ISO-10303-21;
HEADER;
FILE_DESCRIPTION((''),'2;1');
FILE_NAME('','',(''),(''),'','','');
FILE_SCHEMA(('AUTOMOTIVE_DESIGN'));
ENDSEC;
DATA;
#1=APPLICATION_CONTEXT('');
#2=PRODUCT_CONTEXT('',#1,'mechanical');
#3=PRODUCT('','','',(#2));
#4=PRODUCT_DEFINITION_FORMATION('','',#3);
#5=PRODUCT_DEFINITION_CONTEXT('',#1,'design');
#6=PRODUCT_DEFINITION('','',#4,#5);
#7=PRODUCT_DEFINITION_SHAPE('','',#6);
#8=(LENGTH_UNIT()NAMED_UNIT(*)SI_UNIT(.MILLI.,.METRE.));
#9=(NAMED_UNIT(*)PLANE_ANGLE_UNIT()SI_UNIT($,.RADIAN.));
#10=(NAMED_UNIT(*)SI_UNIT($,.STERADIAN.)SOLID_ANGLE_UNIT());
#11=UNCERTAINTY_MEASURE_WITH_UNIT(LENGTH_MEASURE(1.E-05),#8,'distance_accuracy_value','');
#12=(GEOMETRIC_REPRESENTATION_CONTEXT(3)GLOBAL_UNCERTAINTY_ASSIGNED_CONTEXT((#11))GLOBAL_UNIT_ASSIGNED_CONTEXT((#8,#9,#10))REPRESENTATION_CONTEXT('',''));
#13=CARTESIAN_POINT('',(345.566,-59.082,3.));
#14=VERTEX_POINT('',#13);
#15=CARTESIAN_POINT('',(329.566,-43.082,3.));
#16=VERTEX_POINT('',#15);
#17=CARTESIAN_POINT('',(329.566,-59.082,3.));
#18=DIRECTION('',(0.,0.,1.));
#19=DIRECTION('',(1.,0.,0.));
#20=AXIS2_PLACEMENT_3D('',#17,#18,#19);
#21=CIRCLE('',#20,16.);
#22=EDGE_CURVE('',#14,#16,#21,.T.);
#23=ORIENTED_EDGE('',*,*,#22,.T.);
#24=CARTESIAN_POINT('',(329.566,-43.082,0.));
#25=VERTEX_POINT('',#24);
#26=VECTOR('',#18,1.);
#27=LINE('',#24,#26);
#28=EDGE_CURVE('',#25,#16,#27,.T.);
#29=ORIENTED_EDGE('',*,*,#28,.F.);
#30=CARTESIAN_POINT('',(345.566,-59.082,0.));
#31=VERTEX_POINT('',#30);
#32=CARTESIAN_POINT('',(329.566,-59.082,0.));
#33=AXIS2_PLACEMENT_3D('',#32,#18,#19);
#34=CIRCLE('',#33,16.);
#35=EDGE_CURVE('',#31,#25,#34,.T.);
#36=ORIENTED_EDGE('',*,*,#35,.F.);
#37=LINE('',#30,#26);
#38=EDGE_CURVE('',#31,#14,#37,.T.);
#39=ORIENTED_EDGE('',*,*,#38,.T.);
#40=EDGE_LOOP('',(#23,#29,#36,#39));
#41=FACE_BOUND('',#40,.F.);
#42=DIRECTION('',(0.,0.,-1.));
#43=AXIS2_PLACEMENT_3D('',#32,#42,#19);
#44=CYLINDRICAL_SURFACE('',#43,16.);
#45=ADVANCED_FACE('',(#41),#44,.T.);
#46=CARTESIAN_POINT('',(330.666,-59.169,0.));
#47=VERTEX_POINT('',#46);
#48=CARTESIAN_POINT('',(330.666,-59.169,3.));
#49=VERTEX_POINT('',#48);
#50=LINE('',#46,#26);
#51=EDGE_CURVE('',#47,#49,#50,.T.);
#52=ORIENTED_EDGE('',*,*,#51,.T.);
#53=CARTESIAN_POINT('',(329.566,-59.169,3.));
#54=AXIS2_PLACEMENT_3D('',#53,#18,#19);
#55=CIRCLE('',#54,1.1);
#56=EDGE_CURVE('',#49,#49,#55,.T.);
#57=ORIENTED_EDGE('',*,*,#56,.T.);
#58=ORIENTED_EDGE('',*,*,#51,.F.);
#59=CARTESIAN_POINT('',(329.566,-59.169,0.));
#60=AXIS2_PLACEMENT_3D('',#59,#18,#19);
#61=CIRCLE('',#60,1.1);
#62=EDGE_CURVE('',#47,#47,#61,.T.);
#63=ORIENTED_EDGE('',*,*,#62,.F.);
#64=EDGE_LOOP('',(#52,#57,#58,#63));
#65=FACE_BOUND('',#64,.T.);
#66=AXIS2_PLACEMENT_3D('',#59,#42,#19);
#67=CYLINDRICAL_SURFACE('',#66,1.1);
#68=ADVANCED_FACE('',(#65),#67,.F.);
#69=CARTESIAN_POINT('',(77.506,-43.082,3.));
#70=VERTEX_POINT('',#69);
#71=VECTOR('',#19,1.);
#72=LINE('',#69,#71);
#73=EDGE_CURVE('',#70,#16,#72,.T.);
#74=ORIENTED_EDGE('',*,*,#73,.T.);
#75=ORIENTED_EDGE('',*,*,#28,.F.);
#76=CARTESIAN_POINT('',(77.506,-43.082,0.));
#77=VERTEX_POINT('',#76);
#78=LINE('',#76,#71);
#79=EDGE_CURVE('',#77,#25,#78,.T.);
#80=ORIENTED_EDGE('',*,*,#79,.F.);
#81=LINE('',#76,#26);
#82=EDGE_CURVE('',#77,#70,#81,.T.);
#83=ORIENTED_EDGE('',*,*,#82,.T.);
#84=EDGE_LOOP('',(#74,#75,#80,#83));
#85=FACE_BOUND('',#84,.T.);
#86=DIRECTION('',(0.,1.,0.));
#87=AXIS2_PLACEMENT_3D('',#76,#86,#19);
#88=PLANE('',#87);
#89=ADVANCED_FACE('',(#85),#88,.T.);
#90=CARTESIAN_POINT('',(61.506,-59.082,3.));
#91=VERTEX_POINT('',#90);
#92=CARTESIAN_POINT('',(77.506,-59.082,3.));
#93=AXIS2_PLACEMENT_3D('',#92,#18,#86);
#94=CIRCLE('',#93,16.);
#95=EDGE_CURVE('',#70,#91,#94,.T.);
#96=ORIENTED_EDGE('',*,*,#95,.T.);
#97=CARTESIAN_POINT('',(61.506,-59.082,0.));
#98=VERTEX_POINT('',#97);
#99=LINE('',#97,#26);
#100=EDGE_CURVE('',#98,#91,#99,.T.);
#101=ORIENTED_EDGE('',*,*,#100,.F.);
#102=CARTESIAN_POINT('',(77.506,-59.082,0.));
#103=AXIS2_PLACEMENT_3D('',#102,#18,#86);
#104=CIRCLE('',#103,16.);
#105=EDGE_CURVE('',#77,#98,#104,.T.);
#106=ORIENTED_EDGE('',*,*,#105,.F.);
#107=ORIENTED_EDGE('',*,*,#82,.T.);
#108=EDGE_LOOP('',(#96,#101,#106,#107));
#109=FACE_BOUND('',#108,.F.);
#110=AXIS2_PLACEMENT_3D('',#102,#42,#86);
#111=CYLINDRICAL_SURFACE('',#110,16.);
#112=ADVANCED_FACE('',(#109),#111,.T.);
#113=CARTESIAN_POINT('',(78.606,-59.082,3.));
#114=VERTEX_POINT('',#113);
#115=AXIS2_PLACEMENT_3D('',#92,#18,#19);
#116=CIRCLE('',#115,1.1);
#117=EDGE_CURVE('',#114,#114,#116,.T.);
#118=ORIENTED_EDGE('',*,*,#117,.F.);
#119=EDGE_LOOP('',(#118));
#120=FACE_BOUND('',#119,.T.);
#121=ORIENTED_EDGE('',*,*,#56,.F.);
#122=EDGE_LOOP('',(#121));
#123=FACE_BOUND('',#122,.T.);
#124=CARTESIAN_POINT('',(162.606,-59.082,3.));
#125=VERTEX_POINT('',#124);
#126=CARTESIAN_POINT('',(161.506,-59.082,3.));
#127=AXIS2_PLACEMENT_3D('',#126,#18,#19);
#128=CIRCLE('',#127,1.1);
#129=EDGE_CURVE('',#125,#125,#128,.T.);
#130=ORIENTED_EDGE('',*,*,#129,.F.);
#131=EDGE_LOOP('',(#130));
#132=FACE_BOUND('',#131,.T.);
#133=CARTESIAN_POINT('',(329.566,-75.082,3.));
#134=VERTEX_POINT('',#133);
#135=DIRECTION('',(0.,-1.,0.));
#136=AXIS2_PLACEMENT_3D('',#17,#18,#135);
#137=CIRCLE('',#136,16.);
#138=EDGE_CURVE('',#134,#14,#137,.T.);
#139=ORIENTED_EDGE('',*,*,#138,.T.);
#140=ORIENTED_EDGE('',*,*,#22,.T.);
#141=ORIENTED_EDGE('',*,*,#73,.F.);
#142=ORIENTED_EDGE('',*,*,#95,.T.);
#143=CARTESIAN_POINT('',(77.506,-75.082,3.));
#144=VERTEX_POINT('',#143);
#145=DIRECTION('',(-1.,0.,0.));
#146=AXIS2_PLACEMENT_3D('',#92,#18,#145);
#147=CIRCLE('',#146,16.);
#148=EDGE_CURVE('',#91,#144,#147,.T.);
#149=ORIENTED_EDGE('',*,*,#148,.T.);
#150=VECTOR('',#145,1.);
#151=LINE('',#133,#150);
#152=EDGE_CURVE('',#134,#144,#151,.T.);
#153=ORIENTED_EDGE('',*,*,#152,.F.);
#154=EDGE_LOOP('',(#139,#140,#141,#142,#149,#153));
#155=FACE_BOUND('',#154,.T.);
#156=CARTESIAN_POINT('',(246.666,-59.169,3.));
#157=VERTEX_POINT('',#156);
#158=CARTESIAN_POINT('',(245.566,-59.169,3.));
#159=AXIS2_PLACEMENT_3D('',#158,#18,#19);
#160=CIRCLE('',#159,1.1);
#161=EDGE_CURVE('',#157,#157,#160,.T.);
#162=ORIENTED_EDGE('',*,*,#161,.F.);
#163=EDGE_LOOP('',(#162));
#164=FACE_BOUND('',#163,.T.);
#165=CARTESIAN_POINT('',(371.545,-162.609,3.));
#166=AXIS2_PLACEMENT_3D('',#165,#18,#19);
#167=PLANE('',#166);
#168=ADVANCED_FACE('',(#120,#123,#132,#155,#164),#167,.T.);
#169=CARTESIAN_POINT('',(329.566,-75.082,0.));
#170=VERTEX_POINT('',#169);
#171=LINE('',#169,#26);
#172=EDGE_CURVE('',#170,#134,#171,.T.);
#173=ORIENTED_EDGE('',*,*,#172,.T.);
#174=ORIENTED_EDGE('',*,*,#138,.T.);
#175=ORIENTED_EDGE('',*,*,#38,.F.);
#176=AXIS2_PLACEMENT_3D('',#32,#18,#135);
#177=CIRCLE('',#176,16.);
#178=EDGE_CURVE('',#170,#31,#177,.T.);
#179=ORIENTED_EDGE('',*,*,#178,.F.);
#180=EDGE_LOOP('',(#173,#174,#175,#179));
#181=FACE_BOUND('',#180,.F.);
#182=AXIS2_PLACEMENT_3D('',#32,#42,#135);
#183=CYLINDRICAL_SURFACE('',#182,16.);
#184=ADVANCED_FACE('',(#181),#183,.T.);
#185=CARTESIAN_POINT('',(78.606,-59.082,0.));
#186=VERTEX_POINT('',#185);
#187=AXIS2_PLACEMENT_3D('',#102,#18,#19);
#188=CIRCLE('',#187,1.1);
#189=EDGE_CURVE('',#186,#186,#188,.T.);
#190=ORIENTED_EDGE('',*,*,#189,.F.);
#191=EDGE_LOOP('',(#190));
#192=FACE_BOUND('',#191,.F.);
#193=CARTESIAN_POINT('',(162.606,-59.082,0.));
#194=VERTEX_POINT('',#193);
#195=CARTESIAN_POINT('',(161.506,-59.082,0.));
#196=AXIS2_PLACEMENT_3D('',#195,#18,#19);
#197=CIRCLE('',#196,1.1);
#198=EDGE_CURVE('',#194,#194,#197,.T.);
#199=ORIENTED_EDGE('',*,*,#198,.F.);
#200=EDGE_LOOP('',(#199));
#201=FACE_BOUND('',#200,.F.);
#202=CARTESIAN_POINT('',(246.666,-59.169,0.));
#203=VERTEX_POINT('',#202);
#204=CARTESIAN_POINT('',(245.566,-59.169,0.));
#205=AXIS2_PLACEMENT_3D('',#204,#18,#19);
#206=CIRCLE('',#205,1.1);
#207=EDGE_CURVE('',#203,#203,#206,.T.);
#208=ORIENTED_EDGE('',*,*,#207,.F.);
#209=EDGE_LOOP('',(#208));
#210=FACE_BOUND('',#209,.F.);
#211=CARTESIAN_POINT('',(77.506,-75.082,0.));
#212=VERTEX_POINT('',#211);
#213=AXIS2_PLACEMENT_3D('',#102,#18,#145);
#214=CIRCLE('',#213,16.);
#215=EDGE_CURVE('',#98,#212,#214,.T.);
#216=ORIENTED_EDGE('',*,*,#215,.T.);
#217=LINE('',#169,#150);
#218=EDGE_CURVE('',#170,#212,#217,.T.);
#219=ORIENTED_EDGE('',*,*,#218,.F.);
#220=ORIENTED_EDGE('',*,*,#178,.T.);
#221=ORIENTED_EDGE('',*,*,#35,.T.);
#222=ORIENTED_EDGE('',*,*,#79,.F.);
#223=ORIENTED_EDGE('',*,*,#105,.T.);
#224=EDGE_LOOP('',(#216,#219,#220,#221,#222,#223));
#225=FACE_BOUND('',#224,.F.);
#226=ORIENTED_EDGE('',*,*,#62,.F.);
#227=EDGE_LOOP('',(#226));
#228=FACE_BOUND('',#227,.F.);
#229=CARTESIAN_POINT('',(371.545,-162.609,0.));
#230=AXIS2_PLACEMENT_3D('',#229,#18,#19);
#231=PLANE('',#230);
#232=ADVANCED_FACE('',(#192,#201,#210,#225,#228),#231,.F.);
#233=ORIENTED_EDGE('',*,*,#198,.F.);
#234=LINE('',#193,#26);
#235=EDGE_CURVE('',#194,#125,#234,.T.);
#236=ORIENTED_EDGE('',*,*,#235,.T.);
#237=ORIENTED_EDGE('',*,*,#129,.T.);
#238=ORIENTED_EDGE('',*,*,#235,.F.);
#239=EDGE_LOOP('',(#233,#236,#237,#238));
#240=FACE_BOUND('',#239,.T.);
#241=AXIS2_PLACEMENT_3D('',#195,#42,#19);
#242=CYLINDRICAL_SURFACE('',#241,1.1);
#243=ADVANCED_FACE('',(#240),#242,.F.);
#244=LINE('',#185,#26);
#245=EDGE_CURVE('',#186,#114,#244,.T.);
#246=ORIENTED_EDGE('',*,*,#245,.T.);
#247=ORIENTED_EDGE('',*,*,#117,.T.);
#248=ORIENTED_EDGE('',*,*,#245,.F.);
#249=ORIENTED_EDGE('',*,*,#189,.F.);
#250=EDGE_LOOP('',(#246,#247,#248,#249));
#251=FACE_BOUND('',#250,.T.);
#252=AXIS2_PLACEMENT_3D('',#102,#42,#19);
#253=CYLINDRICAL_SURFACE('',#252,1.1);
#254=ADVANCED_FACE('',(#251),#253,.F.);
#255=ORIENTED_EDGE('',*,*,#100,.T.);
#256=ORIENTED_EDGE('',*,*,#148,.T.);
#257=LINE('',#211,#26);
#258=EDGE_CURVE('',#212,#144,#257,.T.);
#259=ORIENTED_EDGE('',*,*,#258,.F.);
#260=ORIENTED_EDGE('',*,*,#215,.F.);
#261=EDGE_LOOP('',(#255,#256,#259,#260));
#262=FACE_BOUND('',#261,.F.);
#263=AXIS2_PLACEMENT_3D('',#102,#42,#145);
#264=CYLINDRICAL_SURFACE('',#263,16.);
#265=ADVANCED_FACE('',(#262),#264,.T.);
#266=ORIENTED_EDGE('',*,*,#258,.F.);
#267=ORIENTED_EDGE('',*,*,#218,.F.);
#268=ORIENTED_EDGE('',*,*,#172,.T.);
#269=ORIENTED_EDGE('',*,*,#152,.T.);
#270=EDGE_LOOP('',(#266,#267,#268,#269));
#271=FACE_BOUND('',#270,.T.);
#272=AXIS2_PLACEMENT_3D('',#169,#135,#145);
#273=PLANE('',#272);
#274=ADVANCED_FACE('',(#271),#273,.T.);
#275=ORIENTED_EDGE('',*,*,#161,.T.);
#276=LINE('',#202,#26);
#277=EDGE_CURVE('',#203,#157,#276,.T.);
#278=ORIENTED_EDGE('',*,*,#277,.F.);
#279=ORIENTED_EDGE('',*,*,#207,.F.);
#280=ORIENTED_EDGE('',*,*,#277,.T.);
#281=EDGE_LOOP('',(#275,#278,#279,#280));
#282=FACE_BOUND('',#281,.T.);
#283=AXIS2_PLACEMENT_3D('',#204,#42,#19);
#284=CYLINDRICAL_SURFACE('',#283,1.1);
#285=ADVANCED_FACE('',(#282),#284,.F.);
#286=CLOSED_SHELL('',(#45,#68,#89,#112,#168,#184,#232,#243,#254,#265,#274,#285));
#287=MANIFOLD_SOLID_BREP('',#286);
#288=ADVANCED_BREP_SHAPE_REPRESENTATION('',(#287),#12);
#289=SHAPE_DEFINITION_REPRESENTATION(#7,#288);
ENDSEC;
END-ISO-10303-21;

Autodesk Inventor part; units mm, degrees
ref_plane "YZ Plane" through (0, 0, 0) normal (1, 0, 0) x (0, 1, 0)
ref_plane "XZ Plane" through (0, 0, 0) normal (0, 1, 0) x (-1, 0, 0)
ref_plane "XY Plane" through (0, 0, 0) normal (0, 0, 1) x (1, 0, 0)
ref_plane "Work Plane2" through (35.545, -31.609, 1.6) normal (0, 0, 1) x (1, 0, 0)
sketch "Sketch2" plane through (35.545, -31.609, 1.6) normal (0, 0, 1) x (1, 0, 0)
  line L0 (-4.7778, 3.1171) -> (341.5466, 3.1925) construction
  line L1 (341.5466, 3.1925) -> (341.5765, -133.848) construction
  line L2 (341.5765, -133.848) -> (-4.7479, -133.9235) construction
  line L3 (-4.7479, -133.9235) -> (-4.7778, 3.1171) construction
  point P0 (-35.545, 31.609)
ref_plane "Work Plane1" through (371.545, -162.609, 0) normal (0, 0, -1) x (-1, 0, 0)
sketch "Sketch9" plane through (371.545, -162.609, 0) normal (0, 0, -1) x (-1, 0, 0)
  line L0 (336, 131) -> (0, 131) projected
  line L1 (-2, 129) -> (-2, 2) projected
  line L2 (-1.9796, 129.2846) -> (-2, 129) projected
  line L3 (-1.919, 129.5635) -> (-1.9796, 129.2846) projected
  line L4 (-1.8193, 129.8308) -> (-1.919, 129.5635) projected
  line L5 (-1.6825, 130.0813) -> (-1.8193, 129.8308) projected
  line L6 (-1.5115, 130.3097) -> (-1.6825, 130.0813) projected
  line L7 (-1.3097, 130.5115) -> (-1.5115, 130.3097) projected
  line L8 (-1.0813, 130.6825) -> (-1.3097, 130.5115) projected
  line L9 (-0.8308, 130.8193) -> (-1.0813, 130.6825) projected
  line L10 (-0.5635, 130.919) -> (-0.8308, 130.8193) projected
  line L11 (-0.2846, 130.9796) -> (-0.5635, 130.919) projected
  line L12 (0, 131) -> (-0.2846, 130.9796) projected
  circle A0 centre (2.362, 128.645) radius 1.1 projected
  circle A1 centre (68.695, 128.645) radius 1.1 projected
  circle A2 centre (135.028, 128.645) radius 1.1 projected
  circle A3 centre (201.361, 128.645) radius 1.1 projected
  circle A4 centre (267.694, 128.645) radius 1.1 projected
  circle A5 centre (334.027, 128.645) radius 1.1 projected
  line L13 (338, 2) -> (338, 129) projected
  line L14 (338, 129) -> (337.9796, 129.2846) projected
  line L15 (337.9796, 129.2846) -> (337.919, 129.5635) projected
  line L16 (337.919, 129.5635) -> (337.8193, 129.8308) projected
  line L17 (337.8193, 129.8308) -> (337.6825, 130.0813) projected
  line L18 (337.6825, 130.0813) -> (337.5115, 130.3097) projected
  line L19 (337.5115, 130.3097) -> (337.3097, 130.5115) projected
  line L20 (337.3097, 130.5115) -> (337.0813, 130.6825) projected
  line L21 (337.0813, 130.6825) -> (336.8308, 130.8193) projected
  line L22 (336.8308, 130.8193) -> (336.5635, 130.919) projected
  line L23 (336.5635, 130.919) -> (336.2846, 130.9796) projected
  line L24 (336.2846, 130.9796) -> (336, 131) projected
  line L25 (0, 0) -> (336, 0) projected
  line L26 (336, 0) -> (336.2846, 0.0204) projected
  line L27 (336.2846, 0.0204) -> (336.5635, 0.081) projected
  line L28 (336.5635, 0.081) -> (336.8308, 0.1807) projected
  line L29 (336.8308, 0.1807) -> (337.0813, 0.3175) projected
  line L30 (337.0813, 0.3175) -> (337.3097, 0.4885) projected
  line L31 (337.3097, 0.4885) -> (337.5115, 0.6903) projected
  line L32 (337.5115, 0.6903) -> (337.6825, 0.9187) projected
  line L33 (337.6825, 0.9187) -> (337.8193, 1.1692) projected
  line L34 (337.8193, 1.1692) -> (337.919, 1.4365) projected
  line L35 (337.919, 1.4365) -> (337.9796, 1.7154) projected
  line L36 (337.9796, 1.7154) -> (338, 2) projected
  circle A6 centre (334.02, 2.37) radius 1.1 projected
  circle A7 centre (267.687, 2.37) radius 1.1 projected
  circle A8 centre (201.354, 2.37) radius 1.1 projected
  circle A9 centre (135.021, 2.37) radius 1.1 projected
  circle A10 centre (68.688, 2.37) radius 1.1 projected
  circle A11 centre (2.355, 2.37) radius 1.1 projected
  line L37 (-0.2846, 0.0204) -> (0, 0) projected
  line L38 (-0.5635, 0.081) -> (-0.2846, 0.0204) projected
  line L39 (-0.8308, 0.1807) -> (-0.5635, 0.081) projected
  line L40 (-1.0813, 0.3175) -> (-0.8308, 0.1807) projected
  line L41 (-1.3097, 0.4885) -> (-1.0813, 0.3175) projected
  line L42 (-1.5115, 0.6903) -> (-1.3097, 0.4885) projected
  line L43 (-1.6825, 0.9187) -> (-1.5115, 0.6903) projected
  line L44 (-1.8193, 1.1692) -> (-1.6825, 0.9187) projected
  line L45 (-1.919, 1.4365) -> (-1.8193, 1.1692) projected
  line L46 (-1.9796, 1.7154) -> (-1.919, 1.4365) projected
  line L47 (-2, 2) -> (-1.9796, 1.7154) projected
  circle A12 centre (41.979, 103.44) radius 1.1 projected
  circle A13 centre (125.979, 103.44) radius 1.1 projected
  circle A14 centre (210.039, 103.527) radius 1.1 projected
  circle A15 centre (294.039, 103.527) radius 1.1 projected
  point P0 (371.545, 162.609)
ref_plane "Work Plane3" through (371.545, -162.609, 0) normal (0, 0, 1) x (1, 0, 0)
sketch "Sketch10" plane through (371.545, -162.609, 0) normal (0, 0, 1) x (1, 0, 0)
  circle A0 centre (-294.039, 103.527) radius 1.1 projected
  circle A1 centre (-210.039, 103.527) radius 1.1 projected
  circle A2 centre (-125.979, 103.44) radius 1.1 projected
  circle A3 centre (-41.979, 103.44) radius 1.1 projected
  line L0 (-294.039, 119.527) -> (-41.979, 119.527)
  line L1 (-25.979, 103.527) -> (-25.979, 103.527)
  line L2 (-41.979, 87.527) -> (-294.039, 87.527)
  line L3 (-310.039, 103.527) -> (-310.039, 103.527)
  arc A4 (-25.979, 103.527) -> (-41.979, 119.527) centre (-41.979, 103.527) ccw
  arc A5 (-41.979, 87.527) -> (-25.979, 103.527) centre (-41.979, 103.527) ccw
  arc A6 (-294.039, 119.527) -> (-310.039, 103.527) centre (-294.039, 103.527) ccw
  arc A7 (-310.039, 103.527) -> (-294.039, 87.527) centre (-294.039, 103.527) ccw
  point P0 (-371.545, 162.609)
  point P1 (-25.979, 103.527)
  dimension "d89" = 16
  dimension "d90" = 16
  dimension "d91" = 16
  dimension "d92" = 16
  dimension "d93" = 16
extrude "Extrusion4" add sketch "Sketch10" along normal blind 3
properties part number "foot1"
